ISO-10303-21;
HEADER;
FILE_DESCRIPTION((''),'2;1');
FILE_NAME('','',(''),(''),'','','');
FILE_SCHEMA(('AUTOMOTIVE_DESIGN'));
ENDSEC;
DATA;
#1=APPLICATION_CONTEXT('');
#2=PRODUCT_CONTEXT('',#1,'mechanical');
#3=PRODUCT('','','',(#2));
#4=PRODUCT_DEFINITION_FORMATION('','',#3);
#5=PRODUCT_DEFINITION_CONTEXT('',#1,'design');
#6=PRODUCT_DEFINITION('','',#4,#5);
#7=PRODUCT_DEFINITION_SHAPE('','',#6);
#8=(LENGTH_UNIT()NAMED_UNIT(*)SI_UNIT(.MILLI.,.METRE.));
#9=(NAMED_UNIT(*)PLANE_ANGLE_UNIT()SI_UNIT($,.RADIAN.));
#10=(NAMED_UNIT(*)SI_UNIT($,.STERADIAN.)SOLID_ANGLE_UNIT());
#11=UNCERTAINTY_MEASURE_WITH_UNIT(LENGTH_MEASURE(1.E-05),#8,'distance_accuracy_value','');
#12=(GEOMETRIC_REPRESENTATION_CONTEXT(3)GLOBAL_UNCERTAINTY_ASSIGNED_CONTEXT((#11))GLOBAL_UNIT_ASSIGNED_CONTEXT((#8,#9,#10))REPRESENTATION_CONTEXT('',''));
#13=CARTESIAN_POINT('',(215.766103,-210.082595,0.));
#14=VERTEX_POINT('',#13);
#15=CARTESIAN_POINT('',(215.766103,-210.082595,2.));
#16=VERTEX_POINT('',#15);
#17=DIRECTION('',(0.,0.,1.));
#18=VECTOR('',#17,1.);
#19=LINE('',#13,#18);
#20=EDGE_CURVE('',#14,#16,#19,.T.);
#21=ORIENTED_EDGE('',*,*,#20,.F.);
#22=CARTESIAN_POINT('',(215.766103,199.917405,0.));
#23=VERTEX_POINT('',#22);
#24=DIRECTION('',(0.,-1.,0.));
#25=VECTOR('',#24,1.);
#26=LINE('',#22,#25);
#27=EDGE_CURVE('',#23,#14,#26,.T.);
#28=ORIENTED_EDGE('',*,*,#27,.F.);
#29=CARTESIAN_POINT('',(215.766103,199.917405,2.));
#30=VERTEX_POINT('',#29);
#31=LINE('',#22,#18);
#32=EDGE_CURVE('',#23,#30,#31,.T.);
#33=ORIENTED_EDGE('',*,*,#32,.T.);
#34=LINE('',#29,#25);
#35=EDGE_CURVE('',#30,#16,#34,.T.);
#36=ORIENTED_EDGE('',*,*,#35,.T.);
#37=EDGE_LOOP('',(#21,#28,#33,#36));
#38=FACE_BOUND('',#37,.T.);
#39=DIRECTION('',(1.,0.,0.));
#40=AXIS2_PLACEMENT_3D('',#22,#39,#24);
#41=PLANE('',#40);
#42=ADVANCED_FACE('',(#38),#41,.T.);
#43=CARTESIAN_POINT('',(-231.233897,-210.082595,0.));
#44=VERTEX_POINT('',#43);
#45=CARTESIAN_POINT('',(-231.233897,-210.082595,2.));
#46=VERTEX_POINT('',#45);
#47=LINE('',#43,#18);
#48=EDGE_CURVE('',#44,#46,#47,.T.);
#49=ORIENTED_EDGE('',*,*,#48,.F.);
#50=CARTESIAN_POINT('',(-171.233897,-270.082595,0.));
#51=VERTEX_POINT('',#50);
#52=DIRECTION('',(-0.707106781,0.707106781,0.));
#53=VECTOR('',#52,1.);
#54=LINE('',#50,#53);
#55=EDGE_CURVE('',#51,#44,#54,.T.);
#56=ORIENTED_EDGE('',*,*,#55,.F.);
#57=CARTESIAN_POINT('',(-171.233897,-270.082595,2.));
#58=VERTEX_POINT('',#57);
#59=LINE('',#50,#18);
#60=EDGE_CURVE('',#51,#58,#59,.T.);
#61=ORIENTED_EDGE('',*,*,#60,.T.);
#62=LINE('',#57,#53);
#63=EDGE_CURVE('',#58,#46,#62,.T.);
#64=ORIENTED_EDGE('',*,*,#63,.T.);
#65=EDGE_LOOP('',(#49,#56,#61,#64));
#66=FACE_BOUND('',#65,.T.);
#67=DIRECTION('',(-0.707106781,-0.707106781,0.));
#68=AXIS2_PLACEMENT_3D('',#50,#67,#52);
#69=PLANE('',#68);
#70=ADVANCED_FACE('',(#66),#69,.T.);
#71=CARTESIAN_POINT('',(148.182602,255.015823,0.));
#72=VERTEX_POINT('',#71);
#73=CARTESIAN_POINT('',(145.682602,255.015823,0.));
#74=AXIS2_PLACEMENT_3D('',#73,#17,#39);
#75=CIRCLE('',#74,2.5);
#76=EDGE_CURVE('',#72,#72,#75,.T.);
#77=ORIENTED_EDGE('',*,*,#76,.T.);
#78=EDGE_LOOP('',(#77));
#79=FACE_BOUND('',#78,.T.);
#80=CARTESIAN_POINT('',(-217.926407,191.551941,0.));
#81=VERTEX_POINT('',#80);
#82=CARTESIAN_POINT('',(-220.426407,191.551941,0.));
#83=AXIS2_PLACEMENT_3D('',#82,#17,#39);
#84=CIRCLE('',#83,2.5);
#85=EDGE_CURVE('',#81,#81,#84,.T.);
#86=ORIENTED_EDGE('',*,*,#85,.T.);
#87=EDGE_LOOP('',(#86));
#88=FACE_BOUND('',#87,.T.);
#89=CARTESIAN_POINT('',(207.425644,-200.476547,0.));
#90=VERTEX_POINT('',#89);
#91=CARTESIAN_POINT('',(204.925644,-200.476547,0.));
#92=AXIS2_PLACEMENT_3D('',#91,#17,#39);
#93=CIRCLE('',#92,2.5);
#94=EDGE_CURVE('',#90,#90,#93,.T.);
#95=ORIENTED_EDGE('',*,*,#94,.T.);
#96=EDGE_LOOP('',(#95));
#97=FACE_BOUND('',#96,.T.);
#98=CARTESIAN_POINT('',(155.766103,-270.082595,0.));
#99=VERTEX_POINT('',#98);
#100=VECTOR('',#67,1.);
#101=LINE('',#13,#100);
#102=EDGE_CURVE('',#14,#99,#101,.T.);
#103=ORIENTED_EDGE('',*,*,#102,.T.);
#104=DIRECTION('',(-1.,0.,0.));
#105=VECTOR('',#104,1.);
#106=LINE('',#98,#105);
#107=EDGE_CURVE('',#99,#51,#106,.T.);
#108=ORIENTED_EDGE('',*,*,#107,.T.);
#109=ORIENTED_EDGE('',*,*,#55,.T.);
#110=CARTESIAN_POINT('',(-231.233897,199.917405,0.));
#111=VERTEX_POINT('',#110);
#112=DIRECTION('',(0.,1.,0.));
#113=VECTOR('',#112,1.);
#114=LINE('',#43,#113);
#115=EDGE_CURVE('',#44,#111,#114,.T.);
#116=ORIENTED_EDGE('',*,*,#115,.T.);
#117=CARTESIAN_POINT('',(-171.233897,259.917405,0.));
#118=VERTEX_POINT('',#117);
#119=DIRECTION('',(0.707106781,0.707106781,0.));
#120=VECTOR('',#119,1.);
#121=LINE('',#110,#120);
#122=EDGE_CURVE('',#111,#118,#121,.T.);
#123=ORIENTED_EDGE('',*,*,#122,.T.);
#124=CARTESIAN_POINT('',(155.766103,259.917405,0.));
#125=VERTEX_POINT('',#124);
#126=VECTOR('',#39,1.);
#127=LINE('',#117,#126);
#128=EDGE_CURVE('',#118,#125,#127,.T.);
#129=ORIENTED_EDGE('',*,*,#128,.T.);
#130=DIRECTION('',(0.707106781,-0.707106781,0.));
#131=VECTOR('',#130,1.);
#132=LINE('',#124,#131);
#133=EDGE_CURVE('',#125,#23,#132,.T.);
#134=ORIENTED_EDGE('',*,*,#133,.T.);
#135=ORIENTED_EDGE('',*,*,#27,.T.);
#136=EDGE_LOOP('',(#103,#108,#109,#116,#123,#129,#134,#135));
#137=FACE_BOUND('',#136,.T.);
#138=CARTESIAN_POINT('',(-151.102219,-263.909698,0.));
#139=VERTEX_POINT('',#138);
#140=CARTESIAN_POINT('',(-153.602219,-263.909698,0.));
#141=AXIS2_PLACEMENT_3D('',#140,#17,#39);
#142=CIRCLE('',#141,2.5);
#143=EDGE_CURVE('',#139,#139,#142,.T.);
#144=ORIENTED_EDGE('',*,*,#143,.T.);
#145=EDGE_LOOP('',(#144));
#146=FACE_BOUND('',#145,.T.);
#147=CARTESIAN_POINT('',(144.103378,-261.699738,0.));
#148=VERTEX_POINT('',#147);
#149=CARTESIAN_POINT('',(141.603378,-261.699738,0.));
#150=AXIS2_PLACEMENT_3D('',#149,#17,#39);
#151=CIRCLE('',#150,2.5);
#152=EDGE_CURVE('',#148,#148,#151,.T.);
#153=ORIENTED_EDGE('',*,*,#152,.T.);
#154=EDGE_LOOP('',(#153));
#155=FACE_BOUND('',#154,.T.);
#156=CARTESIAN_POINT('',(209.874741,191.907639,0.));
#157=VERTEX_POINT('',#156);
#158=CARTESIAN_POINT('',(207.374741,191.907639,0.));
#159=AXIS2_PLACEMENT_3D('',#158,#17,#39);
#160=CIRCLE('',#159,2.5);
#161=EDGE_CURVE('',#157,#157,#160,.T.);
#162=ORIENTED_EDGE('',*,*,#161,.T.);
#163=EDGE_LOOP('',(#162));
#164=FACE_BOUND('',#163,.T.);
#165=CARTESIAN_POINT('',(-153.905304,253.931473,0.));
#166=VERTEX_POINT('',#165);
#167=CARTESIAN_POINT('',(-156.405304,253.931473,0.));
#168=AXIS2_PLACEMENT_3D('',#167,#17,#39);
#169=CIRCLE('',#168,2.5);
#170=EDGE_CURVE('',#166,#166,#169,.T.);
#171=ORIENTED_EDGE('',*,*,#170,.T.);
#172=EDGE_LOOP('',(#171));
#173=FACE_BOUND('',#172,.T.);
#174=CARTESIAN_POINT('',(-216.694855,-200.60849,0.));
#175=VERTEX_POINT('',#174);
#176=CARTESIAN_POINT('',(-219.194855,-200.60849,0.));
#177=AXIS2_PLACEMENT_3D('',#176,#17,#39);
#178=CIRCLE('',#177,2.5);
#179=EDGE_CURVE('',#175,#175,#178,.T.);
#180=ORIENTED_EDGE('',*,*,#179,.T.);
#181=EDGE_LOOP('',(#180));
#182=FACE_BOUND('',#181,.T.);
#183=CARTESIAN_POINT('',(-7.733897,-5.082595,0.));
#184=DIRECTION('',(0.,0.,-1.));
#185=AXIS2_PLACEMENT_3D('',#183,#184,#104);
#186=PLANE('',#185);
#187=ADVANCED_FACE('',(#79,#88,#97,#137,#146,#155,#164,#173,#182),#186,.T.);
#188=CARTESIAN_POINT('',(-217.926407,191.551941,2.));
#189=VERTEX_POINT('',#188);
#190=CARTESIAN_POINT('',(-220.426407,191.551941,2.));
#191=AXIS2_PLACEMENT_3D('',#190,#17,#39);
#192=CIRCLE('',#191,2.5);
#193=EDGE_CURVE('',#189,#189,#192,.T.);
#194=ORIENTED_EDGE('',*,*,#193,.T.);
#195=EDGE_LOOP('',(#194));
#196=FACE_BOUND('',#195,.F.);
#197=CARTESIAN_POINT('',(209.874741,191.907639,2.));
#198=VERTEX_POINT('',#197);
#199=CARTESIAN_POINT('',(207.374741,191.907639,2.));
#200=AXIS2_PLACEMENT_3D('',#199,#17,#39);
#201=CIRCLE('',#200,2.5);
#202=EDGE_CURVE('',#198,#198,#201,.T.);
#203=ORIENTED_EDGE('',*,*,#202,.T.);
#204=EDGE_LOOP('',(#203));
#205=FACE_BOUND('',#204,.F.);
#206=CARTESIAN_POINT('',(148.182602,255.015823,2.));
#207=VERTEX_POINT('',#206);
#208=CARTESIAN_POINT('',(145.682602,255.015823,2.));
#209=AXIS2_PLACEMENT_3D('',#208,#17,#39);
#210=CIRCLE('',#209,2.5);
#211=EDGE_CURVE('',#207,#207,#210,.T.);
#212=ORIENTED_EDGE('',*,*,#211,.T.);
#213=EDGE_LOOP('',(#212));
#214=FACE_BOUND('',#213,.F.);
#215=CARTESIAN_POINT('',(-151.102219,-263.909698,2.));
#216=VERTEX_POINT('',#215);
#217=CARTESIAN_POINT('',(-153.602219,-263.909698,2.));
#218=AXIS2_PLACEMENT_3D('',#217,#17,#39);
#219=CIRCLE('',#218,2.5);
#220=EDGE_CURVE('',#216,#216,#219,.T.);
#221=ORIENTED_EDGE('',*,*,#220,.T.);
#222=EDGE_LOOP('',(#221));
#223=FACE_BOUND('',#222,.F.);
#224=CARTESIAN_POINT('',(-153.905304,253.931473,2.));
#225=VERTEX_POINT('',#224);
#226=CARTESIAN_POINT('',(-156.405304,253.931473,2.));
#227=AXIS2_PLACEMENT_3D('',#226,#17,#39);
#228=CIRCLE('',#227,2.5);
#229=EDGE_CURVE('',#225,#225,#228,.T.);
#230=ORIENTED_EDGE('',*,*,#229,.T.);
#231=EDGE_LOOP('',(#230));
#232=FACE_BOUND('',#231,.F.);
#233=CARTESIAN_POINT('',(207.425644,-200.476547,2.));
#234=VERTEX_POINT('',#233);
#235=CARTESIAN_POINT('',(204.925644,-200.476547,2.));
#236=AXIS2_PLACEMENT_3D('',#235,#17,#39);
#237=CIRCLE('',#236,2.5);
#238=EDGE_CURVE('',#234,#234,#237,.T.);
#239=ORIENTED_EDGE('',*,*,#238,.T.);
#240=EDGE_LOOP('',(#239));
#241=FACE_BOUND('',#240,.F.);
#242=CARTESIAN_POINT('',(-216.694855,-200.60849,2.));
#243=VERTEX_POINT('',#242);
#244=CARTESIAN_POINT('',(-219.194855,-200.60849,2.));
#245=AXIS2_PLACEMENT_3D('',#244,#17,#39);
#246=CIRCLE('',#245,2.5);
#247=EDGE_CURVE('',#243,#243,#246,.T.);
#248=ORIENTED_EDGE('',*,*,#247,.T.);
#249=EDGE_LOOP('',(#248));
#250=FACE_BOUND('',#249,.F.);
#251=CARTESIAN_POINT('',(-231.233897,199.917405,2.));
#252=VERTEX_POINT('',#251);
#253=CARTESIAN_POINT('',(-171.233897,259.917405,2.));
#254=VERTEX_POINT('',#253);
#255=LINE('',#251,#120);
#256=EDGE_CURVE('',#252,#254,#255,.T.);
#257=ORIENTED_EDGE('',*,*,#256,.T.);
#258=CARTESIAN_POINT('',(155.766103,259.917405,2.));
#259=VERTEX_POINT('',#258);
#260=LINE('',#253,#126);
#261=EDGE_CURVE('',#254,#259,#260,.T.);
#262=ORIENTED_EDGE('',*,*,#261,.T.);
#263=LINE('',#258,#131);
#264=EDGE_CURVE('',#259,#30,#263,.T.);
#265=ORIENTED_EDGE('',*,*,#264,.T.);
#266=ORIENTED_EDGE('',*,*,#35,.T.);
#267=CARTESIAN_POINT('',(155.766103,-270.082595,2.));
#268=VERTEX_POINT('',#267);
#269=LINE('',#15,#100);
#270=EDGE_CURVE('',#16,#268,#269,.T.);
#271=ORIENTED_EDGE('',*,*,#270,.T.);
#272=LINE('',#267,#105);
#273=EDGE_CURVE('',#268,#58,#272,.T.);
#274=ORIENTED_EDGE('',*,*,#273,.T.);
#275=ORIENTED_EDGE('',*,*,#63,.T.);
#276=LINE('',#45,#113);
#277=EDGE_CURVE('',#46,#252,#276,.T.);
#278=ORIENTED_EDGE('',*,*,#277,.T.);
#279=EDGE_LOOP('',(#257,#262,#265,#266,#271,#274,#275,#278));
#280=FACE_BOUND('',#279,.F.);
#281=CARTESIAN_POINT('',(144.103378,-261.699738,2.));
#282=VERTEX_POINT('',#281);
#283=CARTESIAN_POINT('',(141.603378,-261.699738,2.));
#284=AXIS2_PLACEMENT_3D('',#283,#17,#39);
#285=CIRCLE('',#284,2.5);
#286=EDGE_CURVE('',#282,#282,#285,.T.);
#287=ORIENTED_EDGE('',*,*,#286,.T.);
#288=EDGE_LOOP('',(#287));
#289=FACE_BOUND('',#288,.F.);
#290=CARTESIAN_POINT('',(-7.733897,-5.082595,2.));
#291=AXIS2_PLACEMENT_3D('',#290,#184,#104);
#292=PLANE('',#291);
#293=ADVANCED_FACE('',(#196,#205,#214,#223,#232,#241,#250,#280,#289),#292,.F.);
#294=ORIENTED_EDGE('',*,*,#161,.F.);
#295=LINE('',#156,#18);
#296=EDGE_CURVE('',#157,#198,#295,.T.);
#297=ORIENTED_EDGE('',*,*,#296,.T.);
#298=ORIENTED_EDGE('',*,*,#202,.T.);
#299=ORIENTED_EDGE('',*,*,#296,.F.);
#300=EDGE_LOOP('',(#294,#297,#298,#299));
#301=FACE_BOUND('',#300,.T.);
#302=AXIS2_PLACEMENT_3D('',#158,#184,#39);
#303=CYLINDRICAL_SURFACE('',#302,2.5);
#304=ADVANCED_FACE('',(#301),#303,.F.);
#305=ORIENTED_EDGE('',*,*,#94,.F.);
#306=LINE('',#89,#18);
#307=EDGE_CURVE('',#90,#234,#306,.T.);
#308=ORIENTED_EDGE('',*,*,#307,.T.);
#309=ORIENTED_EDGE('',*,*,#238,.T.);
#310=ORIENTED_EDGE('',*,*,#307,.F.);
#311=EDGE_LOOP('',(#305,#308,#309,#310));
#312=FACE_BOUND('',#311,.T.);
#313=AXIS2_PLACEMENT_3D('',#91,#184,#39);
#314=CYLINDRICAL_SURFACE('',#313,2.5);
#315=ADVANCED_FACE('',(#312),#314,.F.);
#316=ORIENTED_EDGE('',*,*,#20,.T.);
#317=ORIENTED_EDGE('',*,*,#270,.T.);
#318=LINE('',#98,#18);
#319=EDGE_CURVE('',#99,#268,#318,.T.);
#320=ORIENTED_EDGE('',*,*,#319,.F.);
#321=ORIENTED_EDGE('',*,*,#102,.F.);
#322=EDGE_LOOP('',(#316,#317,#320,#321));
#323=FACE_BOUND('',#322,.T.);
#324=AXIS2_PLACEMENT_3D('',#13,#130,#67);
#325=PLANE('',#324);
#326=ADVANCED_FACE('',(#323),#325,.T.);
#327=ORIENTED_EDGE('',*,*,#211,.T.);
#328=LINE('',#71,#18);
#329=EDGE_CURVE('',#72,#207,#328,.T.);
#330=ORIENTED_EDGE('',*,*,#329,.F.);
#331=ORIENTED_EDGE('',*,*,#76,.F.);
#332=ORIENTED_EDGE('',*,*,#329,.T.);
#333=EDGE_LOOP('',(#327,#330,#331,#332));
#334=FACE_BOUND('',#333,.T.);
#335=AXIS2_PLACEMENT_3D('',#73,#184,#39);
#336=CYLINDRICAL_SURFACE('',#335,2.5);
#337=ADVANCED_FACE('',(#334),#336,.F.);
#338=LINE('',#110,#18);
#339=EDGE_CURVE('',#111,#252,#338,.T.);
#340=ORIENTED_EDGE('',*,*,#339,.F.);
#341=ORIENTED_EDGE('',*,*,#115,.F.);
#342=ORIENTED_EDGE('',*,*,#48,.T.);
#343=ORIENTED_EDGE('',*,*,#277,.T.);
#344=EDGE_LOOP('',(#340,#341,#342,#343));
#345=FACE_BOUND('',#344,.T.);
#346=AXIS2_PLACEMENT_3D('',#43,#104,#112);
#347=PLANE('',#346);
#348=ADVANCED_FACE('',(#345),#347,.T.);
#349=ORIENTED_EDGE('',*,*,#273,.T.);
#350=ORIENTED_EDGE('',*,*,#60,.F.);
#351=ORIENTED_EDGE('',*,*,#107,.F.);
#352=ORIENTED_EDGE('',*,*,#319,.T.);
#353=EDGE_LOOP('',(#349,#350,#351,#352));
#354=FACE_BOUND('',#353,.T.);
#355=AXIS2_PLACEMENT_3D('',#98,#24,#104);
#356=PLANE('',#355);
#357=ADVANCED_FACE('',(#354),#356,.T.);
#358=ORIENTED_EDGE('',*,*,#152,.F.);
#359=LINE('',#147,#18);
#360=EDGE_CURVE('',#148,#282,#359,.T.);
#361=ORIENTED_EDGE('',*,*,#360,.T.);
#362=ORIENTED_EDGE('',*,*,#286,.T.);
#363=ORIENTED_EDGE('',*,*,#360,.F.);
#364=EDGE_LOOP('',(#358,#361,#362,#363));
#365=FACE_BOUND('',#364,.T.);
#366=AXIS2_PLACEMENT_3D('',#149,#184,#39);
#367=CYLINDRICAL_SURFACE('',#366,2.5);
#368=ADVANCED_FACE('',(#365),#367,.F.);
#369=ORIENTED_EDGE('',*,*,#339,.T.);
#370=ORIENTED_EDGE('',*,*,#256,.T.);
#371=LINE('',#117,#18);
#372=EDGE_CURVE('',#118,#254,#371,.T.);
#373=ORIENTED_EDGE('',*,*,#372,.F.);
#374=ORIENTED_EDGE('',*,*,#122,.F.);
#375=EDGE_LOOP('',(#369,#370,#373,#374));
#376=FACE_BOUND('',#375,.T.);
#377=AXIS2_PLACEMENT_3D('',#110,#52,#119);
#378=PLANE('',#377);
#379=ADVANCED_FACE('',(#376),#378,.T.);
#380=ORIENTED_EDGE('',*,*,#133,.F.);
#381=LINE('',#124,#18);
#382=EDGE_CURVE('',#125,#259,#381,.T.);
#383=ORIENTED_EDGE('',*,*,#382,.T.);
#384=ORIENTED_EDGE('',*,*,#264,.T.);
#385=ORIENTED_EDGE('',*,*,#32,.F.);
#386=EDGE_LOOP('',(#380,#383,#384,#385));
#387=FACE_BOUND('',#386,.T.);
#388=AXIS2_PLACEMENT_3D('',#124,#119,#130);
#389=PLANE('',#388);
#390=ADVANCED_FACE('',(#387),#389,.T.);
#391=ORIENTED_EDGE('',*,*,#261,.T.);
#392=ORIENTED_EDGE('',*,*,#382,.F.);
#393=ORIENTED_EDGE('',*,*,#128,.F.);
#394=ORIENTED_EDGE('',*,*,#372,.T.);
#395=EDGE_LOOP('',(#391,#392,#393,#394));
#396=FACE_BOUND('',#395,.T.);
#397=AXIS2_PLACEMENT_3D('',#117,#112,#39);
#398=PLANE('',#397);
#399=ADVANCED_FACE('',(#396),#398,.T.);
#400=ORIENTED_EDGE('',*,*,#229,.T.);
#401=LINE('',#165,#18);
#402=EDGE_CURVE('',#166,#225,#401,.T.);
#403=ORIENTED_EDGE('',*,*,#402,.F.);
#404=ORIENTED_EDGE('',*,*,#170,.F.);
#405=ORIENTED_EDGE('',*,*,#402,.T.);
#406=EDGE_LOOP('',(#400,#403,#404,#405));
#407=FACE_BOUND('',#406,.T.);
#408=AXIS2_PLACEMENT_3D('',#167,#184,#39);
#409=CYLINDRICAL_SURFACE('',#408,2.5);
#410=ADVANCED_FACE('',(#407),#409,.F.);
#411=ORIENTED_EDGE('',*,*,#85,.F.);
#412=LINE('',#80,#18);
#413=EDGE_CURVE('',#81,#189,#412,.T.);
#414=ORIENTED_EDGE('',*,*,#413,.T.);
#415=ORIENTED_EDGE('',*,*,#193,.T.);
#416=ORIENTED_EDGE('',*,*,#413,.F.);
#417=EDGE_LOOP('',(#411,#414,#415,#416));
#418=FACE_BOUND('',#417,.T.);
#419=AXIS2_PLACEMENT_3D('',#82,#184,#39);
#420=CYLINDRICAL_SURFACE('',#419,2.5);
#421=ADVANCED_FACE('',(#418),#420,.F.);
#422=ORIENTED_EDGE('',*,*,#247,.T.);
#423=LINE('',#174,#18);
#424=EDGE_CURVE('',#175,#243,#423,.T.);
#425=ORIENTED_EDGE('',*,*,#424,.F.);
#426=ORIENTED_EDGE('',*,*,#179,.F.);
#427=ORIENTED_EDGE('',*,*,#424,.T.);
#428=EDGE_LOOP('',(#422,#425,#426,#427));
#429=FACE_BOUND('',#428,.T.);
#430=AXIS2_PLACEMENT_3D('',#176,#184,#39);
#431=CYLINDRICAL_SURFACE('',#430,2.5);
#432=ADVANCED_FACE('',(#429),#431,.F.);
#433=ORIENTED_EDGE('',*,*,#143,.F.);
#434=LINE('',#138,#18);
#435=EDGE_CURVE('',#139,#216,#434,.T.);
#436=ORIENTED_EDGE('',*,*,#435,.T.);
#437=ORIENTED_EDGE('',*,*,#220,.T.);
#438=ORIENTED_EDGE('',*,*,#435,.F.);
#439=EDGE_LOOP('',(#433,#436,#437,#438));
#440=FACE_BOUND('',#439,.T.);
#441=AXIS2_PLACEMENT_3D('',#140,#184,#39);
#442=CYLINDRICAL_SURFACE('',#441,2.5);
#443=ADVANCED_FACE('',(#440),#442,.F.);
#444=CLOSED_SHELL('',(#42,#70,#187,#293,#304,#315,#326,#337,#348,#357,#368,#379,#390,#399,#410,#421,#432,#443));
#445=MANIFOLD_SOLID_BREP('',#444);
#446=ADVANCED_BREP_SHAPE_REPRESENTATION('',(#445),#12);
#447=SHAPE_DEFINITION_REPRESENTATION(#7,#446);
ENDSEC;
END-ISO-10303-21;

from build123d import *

# Parameters (mm, degrees)
SKETCH_R  = 2.5
PAD_DEPTH = 2


with BuildPart() as part:
    # Sketch → Pad (new body)
    with BuildSketch(Plane.XY):
        Polygon((-171.233897, 259.917405), (155.766103, 259.917405), (215.766103, 199.917405), (215.766103, -210.082595), (155.766103, -270.082595), (-171.233897, -270.082595), (-231.233897, -210.082595), (-231.233897, 199.917405), align=None)
        with Locations((-220.426407, 191.551941)):
            Circle(SKETCH_R, mode=Mode.SUBTRACT)
        with Locations((-156.405304, 253.931473)):
            Circle(SKETCH_R, mode=Mode.SUBTRACT)
        with Locations((145.682602, 255.015823)):
            Circle(SKETCH_R, mode=Mode.SUBTRACT)
        with Locations((-219.194855, -200.60849)):
            Circle(SKETCH_R, mode=Mode.SUBTRACT)
        with Locations((-153.602219, -263.909698)):
            Circle(SKETCH_R, mode=Mode.SUBTRACT)
        with Locations((141.603378, -261.699738)):
            Circle(SKETCH_R, mode=Mode.SUBTRACT)
        with Locations((204.925644, -200.476547)):
            Circle(SKETCH_R, mode=Mode.SUBTRACT)
        with Locations((207.374741, 191.907639)):
            Circle(SKETCH_R, mode=Mode.SUBTRACT)
    extrude(amount=PAD_DEPTH)


solid = part.part
